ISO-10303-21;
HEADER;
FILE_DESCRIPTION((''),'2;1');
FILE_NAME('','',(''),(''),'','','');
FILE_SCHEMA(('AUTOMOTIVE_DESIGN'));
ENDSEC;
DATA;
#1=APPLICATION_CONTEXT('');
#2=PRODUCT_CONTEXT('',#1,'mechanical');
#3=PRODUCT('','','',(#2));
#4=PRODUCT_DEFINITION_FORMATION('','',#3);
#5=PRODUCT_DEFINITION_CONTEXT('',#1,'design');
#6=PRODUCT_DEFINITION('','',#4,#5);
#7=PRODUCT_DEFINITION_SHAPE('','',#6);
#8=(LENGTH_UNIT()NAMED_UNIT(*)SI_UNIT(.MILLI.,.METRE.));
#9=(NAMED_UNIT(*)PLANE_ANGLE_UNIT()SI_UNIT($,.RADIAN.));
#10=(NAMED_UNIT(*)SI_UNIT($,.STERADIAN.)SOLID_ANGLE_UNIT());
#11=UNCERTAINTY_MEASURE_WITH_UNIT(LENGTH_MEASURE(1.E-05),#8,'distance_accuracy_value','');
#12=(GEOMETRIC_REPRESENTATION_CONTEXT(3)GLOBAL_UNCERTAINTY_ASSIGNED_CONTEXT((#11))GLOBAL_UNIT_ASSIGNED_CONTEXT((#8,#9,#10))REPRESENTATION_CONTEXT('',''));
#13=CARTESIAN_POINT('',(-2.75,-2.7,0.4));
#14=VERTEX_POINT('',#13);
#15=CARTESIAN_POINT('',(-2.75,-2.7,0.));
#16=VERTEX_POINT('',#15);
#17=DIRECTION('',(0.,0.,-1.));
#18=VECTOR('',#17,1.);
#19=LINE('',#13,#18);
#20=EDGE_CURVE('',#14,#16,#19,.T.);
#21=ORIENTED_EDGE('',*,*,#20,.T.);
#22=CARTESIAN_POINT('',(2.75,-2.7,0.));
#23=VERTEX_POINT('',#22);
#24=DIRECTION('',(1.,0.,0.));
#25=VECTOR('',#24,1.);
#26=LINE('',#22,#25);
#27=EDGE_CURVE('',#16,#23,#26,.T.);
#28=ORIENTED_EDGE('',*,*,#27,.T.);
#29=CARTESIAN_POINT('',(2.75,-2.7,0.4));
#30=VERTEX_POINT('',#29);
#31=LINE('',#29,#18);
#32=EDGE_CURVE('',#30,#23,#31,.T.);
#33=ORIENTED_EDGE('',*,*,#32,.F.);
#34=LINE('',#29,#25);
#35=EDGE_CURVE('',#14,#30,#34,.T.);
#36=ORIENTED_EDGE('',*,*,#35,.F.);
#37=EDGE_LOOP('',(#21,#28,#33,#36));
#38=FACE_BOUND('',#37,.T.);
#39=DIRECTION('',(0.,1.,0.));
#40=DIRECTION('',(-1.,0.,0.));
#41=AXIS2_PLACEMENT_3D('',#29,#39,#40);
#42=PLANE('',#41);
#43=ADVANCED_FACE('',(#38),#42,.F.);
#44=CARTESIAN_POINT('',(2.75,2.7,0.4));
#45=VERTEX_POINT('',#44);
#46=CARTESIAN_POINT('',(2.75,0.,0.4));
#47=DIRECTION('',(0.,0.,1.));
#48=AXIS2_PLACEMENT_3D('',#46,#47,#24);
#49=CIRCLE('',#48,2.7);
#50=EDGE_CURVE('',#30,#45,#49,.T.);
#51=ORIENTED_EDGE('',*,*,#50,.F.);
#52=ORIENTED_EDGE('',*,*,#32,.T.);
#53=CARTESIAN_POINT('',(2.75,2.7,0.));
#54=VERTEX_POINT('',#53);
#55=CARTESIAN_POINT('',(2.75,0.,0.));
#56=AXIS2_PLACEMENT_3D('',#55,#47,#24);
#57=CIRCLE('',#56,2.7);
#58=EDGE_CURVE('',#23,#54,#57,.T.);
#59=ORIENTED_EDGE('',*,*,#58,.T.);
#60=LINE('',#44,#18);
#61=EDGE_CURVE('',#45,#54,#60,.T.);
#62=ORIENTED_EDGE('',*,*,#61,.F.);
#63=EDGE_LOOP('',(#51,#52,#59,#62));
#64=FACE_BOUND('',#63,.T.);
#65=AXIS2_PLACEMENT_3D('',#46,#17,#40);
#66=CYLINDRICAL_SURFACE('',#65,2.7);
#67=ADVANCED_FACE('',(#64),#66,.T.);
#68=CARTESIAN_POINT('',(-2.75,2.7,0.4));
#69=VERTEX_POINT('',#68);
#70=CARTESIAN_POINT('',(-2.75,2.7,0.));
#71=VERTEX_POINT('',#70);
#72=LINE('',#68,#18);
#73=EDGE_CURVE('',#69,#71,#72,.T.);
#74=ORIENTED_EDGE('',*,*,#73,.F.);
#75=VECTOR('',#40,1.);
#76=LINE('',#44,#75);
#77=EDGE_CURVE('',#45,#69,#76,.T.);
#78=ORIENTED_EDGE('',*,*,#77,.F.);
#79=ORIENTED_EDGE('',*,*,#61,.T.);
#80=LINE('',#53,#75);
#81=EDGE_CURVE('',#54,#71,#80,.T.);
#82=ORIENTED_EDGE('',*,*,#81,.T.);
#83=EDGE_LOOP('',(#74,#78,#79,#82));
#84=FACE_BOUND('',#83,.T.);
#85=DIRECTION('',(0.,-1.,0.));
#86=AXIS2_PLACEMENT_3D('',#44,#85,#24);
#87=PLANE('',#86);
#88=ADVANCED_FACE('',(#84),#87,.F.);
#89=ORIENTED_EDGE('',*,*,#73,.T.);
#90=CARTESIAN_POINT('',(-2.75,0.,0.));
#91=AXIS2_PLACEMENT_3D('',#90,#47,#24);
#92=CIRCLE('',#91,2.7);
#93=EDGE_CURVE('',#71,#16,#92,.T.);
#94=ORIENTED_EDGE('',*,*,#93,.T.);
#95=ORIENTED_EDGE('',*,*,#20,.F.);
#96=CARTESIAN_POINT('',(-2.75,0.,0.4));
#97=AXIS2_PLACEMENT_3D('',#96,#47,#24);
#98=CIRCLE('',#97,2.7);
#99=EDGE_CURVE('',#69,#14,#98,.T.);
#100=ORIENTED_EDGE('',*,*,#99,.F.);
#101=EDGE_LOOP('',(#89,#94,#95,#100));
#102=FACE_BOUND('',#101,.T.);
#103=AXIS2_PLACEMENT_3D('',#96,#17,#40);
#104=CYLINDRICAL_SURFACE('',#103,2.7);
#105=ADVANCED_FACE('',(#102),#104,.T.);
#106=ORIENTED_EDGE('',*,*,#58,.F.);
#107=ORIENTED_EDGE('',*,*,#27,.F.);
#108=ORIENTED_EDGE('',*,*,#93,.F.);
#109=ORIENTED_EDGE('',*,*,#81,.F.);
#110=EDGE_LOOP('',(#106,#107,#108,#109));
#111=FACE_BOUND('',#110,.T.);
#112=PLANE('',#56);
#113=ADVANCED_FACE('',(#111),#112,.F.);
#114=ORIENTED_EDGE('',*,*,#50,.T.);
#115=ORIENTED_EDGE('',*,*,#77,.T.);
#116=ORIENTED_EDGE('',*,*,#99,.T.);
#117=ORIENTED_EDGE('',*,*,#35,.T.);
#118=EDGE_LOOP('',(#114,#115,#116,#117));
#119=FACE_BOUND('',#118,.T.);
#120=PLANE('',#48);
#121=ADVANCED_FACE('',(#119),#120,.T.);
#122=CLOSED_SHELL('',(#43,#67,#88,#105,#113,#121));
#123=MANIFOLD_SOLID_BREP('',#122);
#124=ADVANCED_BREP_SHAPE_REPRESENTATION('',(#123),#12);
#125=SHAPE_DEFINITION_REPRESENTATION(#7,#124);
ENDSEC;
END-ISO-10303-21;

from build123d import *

# Parameters (mm, degrees)
BOSS_EXTRU_1_DEPTH = 0.4


with BuildPart() as part:
    # Esquisse1 → Boss.-Extru.1 (new body)
    with BuildSketch(Plane.XY):
        with BuildLine():
            Line((2.75, -2.7), (-2.75, -2.7))
            ThreePointArc((-2.75, -2.7), (-5.45, 0), (-2.75, 2.7))
            Line((-2.75, 2.7), (2.75, 2.7))
            ThreePointArc((2.75, 2.7), (5.45, 0), (2.75, -2.7))
        make_face()
    extrude(amount=BOSS_EXTRU_1_DEPTH)


solid = part.part
